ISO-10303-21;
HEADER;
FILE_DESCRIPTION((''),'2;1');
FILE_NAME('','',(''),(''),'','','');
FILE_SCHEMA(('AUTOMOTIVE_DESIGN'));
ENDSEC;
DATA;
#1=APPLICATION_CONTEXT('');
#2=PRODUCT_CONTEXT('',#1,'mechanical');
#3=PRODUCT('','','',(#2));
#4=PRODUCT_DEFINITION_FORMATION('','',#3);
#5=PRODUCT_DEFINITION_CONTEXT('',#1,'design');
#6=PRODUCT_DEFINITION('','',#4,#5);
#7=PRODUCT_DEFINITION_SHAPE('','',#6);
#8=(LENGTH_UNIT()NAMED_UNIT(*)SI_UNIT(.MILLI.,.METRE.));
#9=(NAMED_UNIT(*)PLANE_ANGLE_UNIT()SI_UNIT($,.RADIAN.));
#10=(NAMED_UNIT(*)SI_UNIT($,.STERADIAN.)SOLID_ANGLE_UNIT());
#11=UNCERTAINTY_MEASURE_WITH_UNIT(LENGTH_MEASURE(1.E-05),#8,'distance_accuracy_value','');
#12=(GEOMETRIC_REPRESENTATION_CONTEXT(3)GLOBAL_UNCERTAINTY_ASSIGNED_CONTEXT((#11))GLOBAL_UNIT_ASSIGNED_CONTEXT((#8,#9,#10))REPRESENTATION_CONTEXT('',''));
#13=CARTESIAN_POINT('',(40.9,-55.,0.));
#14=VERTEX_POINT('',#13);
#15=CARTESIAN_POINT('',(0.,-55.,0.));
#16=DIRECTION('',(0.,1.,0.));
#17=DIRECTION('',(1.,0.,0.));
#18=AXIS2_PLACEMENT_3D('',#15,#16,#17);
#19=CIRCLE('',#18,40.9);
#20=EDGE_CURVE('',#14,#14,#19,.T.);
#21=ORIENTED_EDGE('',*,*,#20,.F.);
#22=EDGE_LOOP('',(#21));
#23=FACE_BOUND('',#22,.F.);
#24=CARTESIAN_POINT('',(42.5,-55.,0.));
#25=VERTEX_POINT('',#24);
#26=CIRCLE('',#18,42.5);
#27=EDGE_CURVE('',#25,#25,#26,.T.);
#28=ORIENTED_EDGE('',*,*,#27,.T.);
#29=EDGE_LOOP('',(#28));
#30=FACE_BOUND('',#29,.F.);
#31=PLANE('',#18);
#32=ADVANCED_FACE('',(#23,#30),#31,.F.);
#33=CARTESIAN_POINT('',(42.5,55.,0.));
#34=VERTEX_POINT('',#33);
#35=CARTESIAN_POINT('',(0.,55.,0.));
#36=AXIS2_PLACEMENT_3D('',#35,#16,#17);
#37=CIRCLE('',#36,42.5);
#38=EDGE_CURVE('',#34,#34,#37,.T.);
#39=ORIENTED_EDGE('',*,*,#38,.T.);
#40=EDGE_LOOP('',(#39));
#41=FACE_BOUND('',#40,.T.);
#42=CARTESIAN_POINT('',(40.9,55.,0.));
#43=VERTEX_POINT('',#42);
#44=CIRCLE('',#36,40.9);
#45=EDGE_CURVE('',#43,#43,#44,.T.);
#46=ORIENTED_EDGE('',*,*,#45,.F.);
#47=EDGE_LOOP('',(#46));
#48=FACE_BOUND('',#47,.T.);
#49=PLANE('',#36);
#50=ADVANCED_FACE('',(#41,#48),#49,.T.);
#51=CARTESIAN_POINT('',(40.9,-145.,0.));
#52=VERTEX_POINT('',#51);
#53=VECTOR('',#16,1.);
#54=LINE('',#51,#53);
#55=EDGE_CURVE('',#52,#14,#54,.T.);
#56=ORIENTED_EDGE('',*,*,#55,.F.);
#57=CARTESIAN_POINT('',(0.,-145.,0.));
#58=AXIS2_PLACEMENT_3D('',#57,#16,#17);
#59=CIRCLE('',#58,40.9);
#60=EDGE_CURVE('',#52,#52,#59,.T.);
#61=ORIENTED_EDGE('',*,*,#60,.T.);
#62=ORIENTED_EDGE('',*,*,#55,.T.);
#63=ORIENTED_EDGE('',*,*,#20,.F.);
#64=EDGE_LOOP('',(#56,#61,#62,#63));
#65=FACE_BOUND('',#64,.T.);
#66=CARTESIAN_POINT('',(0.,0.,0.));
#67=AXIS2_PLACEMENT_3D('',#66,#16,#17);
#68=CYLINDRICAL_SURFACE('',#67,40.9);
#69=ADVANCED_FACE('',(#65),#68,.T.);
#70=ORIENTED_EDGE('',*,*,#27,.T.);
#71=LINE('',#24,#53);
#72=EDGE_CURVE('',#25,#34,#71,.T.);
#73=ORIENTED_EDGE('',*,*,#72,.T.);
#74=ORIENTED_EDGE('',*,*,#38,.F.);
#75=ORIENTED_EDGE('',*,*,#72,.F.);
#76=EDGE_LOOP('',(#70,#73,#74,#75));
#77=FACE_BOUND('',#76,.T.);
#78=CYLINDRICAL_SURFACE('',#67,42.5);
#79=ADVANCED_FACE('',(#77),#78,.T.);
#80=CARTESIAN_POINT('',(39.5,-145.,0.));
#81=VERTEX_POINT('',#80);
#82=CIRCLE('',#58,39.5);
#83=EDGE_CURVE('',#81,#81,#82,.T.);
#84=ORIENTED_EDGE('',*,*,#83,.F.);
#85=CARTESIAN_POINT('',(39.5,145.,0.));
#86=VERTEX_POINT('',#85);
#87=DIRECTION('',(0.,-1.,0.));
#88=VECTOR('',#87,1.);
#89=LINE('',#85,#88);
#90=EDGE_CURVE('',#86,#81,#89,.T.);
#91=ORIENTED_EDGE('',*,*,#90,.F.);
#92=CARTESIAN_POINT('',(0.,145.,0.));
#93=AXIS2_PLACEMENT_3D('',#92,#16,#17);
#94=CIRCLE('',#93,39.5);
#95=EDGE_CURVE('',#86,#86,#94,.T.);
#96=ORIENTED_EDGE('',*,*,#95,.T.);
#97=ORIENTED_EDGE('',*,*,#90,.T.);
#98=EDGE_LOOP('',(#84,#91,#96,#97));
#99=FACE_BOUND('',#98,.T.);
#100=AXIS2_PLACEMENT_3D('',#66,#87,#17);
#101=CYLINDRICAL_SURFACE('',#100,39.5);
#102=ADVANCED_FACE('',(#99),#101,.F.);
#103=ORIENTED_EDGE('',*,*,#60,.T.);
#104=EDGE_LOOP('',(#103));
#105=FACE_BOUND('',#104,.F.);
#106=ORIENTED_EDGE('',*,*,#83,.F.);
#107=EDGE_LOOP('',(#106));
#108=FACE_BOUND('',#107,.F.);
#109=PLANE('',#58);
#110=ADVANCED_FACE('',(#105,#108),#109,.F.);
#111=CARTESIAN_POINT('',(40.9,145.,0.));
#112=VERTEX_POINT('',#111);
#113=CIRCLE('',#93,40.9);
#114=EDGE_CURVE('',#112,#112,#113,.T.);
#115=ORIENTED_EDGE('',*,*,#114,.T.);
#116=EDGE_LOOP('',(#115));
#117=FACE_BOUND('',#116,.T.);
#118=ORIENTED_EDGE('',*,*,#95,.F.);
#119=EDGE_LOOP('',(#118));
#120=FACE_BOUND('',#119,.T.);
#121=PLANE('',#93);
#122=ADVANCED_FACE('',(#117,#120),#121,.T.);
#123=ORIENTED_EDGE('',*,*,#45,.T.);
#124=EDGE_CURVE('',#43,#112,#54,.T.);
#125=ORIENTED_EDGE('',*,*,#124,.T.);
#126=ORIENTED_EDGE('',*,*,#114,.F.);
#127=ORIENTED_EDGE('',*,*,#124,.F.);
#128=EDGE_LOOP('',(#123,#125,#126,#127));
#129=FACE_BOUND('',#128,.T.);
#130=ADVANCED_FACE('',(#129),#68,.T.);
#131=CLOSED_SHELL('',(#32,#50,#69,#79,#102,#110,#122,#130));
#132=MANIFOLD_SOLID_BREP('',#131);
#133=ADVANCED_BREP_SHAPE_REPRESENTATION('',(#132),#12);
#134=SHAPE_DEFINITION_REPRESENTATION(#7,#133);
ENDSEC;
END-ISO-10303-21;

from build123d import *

# Parameters (mm, degrees)
SKETCH1_R           = 40.9
SKETCH1_R_2         = 39.5
BOSS_EXTRUDE1_DEPTH = 145
SKETCH1_3_R         = 42.5
SKETCH1_3_R_2       = 40.9
BOSS_EXTRUDE2_DEPTH = 55


with BuildPart() as part:
    # Sketch1 → Boss-Extrude1 (new, symmetric)
    with BuildSketch(Plane(origin=(0, 0, 0), x_dir=(1, 0, 0), z_dir=(0, 1, 0))):
        Circle(SKETCH1_R)
        Circle(SKETCH1_R_2, mode=Mode.SUBTRACT)
    extrude(amount=BOSS_EXTRUDE1_DEPTH, both=True)

    # Sketch1<3> → Boss-Extrude2 (add, symmetric)
    with BuildSketch(Plane(origin=(0, 0, 0), x_dir=(1, 0, 0), z_dir=(0, 1, 0))):
        Circle(SKETCH1_3_R)
        Circle(SKETCH1_3_R_2, mode=Mode.SUBTRACT)
    extrude(amount=BOSS_EXTRUDE2_DEPTH, both=True)


solid = part.part
